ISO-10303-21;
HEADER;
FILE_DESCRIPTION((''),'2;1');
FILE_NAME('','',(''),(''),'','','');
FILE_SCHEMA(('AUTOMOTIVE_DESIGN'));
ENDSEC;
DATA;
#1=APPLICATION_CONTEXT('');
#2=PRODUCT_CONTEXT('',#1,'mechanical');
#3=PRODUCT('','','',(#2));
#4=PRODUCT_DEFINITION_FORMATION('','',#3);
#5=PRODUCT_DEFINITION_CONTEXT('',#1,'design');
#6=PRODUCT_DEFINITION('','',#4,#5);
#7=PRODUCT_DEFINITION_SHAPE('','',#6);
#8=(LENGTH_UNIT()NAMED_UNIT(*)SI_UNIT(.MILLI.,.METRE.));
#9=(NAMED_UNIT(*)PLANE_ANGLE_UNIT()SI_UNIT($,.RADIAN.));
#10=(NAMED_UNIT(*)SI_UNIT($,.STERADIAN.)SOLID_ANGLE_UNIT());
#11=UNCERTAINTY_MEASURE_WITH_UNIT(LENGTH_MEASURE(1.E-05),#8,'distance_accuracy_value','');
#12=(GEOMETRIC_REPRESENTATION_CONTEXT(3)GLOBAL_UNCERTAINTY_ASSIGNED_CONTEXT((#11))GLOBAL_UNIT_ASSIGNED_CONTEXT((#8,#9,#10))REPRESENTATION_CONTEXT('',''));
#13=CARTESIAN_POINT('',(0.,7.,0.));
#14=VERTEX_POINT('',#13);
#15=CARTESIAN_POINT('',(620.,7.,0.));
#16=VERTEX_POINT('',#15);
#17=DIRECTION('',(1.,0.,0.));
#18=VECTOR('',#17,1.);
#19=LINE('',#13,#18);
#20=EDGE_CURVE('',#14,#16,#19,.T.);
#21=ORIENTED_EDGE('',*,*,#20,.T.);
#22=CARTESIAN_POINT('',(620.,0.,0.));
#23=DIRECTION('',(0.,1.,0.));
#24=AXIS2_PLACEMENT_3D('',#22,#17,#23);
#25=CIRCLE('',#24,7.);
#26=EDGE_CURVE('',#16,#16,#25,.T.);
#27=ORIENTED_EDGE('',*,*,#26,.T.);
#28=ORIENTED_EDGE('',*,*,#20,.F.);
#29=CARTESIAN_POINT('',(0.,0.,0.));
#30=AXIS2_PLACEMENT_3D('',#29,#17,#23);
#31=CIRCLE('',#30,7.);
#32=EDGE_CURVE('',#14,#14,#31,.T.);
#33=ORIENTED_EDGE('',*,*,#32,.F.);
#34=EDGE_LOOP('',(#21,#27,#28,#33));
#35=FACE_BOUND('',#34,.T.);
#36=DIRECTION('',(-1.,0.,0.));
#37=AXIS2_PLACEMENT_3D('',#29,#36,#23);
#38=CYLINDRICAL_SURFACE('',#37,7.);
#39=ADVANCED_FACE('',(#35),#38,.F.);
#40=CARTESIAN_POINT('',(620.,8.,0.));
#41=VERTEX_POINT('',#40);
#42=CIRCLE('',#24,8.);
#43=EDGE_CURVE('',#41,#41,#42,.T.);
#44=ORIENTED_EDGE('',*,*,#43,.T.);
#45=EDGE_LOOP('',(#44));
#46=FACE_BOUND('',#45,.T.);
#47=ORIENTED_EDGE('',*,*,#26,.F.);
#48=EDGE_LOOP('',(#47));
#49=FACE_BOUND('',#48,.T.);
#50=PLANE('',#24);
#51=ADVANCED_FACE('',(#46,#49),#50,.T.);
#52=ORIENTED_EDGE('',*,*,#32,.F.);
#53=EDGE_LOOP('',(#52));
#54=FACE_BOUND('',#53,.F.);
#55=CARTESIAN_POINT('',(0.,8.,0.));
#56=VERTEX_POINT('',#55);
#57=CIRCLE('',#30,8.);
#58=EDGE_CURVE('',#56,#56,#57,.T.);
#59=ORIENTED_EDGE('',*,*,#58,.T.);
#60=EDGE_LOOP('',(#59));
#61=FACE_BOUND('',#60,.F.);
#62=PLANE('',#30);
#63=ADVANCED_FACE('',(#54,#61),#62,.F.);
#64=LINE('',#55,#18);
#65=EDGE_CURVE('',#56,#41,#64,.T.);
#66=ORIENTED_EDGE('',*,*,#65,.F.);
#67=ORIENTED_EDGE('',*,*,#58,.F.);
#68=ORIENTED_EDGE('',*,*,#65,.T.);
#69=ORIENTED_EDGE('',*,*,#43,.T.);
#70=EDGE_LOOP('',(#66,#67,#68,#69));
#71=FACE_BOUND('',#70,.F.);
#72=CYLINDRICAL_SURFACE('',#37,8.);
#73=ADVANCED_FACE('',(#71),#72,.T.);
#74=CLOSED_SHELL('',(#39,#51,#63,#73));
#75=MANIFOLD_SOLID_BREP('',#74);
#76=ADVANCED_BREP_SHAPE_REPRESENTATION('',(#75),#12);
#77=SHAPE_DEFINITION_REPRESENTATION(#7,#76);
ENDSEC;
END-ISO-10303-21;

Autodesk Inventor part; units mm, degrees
ref_plane "YZ Plane" through (0, 0, 0) normal (1, 0, 0) x (0, 1, 0)
ref_plane "XZ Plane" through (0, 0, 0) normal (0, 1, 0) x (-1, 0, 0)
ref_plane "XY Plane" through (0, 0, 0) normal (0, 0, 1) x (1, 0, 0)
sketch "Sketch1" plane through (0, 0, 0) normal (1, 0, 0) x (0, 1, 0)
  circle A0 centre (0, 0) radius 8
  circle A1 centre (0, 0) radius 7
  dimension "d0" = 16
  dimension "d1" = 1
extrude "Extrusion1" add sketch "Sketch1" along normal blind 620
properties part number "TuboEstructura" material "Aluminum 6061"
